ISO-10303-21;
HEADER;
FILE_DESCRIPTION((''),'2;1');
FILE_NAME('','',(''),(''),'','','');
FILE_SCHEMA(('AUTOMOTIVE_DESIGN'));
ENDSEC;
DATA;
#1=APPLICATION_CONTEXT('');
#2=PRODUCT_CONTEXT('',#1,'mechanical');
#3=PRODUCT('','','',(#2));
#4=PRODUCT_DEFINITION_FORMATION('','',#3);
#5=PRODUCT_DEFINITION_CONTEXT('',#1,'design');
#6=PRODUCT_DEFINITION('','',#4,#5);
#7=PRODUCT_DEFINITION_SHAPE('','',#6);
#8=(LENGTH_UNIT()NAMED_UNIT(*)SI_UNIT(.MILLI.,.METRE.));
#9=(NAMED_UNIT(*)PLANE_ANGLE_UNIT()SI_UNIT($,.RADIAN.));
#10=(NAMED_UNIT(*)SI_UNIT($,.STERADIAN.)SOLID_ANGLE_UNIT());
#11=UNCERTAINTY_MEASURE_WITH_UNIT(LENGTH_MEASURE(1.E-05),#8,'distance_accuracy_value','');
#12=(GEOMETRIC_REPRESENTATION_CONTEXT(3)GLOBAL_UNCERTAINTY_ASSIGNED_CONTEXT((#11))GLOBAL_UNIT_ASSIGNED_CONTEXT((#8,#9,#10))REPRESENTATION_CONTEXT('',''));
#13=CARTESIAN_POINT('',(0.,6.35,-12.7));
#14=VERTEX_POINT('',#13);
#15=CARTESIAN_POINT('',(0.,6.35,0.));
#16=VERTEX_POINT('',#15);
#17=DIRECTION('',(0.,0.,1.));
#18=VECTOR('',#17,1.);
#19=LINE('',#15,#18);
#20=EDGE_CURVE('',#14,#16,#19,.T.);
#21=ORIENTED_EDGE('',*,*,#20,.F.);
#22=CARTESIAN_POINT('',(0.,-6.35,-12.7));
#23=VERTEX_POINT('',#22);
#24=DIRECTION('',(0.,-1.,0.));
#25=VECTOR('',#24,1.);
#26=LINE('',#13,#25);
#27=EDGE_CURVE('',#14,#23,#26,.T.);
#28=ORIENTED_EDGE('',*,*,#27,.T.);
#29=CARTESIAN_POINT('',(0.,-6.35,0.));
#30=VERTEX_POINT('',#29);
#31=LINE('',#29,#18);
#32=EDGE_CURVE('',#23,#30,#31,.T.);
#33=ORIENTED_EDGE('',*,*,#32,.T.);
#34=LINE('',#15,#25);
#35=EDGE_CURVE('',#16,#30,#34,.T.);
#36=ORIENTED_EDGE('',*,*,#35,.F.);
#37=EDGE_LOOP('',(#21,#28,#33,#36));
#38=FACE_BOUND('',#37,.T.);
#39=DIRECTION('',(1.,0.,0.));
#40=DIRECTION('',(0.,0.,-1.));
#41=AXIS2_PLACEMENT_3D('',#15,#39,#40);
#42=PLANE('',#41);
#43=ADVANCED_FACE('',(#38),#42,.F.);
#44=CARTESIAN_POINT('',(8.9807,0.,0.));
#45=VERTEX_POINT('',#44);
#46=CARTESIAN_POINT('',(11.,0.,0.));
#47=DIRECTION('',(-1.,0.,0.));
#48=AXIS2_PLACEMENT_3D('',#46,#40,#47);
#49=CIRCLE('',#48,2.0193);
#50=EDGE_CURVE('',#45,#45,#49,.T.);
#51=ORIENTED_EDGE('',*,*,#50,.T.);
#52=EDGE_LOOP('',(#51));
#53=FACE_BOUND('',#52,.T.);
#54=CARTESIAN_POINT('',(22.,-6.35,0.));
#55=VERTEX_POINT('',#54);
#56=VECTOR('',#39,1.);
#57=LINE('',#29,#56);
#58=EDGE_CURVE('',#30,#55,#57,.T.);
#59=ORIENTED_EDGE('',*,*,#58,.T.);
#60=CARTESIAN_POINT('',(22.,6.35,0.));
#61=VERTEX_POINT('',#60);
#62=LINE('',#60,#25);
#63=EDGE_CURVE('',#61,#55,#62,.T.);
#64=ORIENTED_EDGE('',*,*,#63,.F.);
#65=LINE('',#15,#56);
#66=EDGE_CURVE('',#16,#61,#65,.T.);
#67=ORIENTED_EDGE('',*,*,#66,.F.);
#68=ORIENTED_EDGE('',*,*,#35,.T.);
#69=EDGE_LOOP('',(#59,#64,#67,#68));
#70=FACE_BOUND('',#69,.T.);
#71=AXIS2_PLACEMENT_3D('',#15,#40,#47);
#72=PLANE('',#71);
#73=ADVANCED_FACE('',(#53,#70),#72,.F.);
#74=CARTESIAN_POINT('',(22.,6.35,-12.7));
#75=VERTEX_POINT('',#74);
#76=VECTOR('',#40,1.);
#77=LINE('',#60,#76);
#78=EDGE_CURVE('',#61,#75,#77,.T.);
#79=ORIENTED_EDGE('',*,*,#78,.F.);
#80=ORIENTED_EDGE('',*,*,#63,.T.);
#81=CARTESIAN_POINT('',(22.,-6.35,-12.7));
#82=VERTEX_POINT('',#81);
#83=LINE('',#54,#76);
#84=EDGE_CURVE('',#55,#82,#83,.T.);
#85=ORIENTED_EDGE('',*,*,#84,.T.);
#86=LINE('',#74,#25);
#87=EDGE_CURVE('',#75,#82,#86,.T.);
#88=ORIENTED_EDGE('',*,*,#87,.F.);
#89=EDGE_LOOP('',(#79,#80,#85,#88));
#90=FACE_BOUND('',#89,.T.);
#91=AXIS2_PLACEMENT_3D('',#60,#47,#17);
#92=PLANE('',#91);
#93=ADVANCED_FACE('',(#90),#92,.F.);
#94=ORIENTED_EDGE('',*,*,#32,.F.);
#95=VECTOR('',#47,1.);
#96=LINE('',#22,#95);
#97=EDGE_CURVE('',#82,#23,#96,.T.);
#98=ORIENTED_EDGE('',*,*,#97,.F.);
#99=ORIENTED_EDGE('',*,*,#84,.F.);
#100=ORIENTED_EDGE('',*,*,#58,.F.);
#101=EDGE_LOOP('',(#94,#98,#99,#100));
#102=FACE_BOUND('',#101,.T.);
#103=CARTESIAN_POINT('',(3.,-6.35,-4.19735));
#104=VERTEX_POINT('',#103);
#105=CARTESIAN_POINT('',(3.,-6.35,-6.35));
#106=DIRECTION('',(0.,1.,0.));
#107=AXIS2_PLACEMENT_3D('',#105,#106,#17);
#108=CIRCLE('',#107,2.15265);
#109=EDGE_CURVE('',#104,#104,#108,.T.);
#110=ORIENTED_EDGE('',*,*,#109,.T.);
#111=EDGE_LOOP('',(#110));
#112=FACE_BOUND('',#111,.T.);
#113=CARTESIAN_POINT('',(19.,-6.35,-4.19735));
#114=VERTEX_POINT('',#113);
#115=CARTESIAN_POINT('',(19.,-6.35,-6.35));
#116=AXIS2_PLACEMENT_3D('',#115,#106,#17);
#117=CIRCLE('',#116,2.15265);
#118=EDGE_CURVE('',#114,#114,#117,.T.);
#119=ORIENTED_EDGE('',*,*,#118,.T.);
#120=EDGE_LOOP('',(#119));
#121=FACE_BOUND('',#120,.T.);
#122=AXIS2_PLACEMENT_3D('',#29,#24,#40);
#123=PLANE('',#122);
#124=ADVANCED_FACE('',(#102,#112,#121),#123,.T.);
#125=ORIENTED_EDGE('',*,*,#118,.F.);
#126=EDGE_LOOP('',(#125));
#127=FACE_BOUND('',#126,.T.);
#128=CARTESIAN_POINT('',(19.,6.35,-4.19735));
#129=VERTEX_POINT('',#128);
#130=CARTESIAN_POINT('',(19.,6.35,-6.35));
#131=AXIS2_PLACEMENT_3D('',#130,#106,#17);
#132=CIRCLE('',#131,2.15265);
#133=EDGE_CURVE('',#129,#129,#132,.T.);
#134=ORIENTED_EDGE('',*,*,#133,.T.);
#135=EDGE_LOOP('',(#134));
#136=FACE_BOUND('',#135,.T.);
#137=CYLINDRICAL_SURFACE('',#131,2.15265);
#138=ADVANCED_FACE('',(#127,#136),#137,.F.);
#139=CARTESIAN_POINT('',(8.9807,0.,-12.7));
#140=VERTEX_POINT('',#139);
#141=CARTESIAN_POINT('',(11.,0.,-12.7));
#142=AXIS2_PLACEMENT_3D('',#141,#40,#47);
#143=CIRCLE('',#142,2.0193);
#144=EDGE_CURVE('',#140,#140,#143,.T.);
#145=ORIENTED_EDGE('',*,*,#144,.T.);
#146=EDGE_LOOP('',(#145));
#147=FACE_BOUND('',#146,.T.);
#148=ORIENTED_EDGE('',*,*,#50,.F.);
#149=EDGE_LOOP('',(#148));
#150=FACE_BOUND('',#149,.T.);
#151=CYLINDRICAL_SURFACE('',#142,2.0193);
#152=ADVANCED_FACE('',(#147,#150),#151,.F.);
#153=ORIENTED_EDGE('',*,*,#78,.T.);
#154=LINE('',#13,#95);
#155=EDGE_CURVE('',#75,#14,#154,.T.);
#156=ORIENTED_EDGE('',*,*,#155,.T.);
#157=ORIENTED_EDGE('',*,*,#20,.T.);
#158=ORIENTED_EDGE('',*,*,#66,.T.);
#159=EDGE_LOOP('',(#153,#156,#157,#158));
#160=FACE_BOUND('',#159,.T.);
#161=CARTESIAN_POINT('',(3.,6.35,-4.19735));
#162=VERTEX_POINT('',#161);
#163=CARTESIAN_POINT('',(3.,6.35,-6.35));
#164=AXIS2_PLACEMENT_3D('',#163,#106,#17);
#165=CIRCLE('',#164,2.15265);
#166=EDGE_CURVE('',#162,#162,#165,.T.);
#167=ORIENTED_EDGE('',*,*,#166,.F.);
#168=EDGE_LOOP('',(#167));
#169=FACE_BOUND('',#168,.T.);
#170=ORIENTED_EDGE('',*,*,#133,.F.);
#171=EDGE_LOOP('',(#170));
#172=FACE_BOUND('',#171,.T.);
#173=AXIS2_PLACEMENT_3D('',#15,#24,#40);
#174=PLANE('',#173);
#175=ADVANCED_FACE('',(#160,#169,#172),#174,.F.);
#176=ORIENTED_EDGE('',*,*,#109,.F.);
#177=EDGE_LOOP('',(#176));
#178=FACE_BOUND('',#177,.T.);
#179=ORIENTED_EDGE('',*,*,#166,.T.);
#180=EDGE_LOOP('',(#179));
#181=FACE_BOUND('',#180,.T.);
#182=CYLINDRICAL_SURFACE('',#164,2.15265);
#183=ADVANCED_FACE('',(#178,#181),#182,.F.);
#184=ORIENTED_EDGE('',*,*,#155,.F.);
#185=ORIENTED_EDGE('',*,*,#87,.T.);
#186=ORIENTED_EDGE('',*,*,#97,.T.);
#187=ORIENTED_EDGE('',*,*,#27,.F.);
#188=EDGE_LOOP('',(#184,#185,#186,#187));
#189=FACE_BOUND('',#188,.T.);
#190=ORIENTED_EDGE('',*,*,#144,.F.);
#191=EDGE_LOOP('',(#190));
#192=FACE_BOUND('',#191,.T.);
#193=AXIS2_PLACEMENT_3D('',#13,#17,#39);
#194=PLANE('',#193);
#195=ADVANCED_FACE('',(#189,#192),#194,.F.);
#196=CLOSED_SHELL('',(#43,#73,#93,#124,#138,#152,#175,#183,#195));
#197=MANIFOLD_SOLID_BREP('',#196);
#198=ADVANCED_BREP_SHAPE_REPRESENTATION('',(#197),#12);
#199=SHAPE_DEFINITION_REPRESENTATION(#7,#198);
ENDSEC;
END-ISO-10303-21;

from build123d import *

# Parameters (mm, degrees)
SKETCH1_W                    = 22.000000004
SKETCH1_H                    = 12.7
BOSS_EXTRUDE1_DEPTH          = 6.35
F_18_0_1695_DIAMETER_HOLE1_D = 4.3053
F_18_0_1695_DIAMETER_HOLE2_D = 4.3053
F_10_32_TAPPED_HOLE1_D       = 4.0386


with BuildPart() as part:
    # Sketch1 → Boss-Extrude1 (new, symmetric)
    with BuildSketch(Plane(origin=(0, 0, 0), x_dir=(1, 0, 0), z_dir=(0, 1, 0))):
        with Locations((11.000000002, 6.35)):
            Rectangle(SKETCH1_W, SKETCH1_H)
    extrude(amount=BOSS_EXTRUDE1_DEPTH, both=True)

    # #18 (0.1695) Diameter Hole1 (through all)
    with Locations(Plane(origin=(3, 6.35, -6.35), x_dir=(0, 0, 1), z_dir=(0, 1, 0))):
        with Locations((0, 0)):
            Hole(F_18_0_1695_DIAMETER_HOLE1_D / 2)

    # #18 (0.1695) Diameter Hole2 (through all)
    with Locations(Plane(origin=(19.000000004, 6.35, -6.35), x_dir=(0, 0, 1), z_dir=(0, 1, 0))):
        with Locations((0, 0)):
            Hole(F_18_0_1695_DIAMETER_HOLE2_D / 2)

    # #10-32 Tapped Hole1 (through all)
    with Locations(Plane(origin=(11.000000002, 0, -12.7), x_dir=(-1, 0, 0), z_dir=(0, 0, -1))):
        with Locations((0, 0)):
            Hole(F_10_32_TAPPED_HOLE1_D / 2)


solid = part.part
